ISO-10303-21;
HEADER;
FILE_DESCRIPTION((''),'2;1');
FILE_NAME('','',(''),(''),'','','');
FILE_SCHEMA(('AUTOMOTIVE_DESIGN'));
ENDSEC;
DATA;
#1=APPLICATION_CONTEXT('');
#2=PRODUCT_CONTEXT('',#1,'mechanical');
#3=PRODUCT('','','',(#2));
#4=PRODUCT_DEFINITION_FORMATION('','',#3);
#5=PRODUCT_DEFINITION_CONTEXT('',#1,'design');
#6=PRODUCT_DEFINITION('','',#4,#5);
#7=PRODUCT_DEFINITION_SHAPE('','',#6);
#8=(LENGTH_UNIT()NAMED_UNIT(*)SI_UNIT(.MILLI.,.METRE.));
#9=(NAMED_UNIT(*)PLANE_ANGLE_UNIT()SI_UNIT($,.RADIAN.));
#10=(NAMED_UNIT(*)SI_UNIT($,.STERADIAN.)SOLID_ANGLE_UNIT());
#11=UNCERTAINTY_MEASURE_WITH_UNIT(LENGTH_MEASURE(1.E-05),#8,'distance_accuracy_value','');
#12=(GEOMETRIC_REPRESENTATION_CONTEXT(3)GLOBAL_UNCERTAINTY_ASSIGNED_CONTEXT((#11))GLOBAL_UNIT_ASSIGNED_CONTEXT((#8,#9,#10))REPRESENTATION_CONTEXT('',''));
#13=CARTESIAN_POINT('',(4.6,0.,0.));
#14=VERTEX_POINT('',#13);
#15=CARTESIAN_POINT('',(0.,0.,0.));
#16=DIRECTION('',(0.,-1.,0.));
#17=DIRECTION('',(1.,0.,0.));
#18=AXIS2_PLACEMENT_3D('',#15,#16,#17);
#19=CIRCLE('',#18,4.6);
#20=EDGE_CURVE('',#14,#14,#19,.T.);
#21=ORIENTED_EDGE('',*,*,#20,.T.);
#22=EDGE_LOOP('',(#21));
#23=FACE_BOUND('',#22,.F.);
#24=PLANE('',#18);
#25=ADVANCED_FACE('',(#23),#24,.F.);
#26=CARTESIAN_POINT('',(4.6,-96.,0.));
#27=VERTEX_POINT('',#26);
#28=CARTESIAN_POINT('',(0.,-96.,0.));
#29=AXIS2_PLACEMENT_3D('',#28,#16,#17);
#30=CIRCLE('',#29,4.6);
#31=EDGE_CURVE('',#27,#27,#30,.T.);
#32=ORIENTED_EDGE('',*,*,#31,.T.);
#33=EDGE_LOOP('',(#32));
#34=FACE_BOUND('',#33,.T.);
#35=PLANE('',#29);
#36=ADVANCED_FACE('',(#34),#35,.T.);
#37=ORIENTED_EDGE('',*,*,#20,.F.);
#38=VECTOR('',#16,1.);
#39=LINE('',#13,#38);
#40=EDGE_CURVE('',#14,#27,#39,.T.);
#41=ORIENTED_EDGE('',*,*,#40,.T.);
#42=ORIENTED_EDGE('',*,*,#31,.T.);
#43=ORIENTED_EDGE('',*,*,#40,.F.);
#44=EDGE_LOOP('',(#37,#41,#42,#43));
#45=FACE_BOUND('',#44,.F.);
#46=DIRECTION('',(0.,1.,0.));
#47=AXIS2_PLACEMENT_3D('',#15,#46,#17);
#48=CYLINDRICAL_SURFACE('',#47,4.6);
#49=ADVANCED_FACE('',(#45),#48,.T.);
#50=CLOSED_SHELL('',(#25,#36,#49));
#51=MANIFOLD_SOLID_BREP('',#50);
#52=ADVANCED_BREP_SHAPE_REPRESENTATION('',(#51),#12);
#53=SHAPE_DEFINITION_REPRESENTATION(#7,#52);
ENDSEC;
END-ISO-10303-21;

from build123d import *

# Parameters (mm, degrees)
SKETCH_R  = 4.6
PAD_DEPTH = 96


with BuildPart() as part:
    # Sketch → Pad (new body)
    with BuildSketch(Plane.XZ):
        Circle(SKETCH_R)
    extrude(amount=PAD_DEPTH)


solid = part.part
